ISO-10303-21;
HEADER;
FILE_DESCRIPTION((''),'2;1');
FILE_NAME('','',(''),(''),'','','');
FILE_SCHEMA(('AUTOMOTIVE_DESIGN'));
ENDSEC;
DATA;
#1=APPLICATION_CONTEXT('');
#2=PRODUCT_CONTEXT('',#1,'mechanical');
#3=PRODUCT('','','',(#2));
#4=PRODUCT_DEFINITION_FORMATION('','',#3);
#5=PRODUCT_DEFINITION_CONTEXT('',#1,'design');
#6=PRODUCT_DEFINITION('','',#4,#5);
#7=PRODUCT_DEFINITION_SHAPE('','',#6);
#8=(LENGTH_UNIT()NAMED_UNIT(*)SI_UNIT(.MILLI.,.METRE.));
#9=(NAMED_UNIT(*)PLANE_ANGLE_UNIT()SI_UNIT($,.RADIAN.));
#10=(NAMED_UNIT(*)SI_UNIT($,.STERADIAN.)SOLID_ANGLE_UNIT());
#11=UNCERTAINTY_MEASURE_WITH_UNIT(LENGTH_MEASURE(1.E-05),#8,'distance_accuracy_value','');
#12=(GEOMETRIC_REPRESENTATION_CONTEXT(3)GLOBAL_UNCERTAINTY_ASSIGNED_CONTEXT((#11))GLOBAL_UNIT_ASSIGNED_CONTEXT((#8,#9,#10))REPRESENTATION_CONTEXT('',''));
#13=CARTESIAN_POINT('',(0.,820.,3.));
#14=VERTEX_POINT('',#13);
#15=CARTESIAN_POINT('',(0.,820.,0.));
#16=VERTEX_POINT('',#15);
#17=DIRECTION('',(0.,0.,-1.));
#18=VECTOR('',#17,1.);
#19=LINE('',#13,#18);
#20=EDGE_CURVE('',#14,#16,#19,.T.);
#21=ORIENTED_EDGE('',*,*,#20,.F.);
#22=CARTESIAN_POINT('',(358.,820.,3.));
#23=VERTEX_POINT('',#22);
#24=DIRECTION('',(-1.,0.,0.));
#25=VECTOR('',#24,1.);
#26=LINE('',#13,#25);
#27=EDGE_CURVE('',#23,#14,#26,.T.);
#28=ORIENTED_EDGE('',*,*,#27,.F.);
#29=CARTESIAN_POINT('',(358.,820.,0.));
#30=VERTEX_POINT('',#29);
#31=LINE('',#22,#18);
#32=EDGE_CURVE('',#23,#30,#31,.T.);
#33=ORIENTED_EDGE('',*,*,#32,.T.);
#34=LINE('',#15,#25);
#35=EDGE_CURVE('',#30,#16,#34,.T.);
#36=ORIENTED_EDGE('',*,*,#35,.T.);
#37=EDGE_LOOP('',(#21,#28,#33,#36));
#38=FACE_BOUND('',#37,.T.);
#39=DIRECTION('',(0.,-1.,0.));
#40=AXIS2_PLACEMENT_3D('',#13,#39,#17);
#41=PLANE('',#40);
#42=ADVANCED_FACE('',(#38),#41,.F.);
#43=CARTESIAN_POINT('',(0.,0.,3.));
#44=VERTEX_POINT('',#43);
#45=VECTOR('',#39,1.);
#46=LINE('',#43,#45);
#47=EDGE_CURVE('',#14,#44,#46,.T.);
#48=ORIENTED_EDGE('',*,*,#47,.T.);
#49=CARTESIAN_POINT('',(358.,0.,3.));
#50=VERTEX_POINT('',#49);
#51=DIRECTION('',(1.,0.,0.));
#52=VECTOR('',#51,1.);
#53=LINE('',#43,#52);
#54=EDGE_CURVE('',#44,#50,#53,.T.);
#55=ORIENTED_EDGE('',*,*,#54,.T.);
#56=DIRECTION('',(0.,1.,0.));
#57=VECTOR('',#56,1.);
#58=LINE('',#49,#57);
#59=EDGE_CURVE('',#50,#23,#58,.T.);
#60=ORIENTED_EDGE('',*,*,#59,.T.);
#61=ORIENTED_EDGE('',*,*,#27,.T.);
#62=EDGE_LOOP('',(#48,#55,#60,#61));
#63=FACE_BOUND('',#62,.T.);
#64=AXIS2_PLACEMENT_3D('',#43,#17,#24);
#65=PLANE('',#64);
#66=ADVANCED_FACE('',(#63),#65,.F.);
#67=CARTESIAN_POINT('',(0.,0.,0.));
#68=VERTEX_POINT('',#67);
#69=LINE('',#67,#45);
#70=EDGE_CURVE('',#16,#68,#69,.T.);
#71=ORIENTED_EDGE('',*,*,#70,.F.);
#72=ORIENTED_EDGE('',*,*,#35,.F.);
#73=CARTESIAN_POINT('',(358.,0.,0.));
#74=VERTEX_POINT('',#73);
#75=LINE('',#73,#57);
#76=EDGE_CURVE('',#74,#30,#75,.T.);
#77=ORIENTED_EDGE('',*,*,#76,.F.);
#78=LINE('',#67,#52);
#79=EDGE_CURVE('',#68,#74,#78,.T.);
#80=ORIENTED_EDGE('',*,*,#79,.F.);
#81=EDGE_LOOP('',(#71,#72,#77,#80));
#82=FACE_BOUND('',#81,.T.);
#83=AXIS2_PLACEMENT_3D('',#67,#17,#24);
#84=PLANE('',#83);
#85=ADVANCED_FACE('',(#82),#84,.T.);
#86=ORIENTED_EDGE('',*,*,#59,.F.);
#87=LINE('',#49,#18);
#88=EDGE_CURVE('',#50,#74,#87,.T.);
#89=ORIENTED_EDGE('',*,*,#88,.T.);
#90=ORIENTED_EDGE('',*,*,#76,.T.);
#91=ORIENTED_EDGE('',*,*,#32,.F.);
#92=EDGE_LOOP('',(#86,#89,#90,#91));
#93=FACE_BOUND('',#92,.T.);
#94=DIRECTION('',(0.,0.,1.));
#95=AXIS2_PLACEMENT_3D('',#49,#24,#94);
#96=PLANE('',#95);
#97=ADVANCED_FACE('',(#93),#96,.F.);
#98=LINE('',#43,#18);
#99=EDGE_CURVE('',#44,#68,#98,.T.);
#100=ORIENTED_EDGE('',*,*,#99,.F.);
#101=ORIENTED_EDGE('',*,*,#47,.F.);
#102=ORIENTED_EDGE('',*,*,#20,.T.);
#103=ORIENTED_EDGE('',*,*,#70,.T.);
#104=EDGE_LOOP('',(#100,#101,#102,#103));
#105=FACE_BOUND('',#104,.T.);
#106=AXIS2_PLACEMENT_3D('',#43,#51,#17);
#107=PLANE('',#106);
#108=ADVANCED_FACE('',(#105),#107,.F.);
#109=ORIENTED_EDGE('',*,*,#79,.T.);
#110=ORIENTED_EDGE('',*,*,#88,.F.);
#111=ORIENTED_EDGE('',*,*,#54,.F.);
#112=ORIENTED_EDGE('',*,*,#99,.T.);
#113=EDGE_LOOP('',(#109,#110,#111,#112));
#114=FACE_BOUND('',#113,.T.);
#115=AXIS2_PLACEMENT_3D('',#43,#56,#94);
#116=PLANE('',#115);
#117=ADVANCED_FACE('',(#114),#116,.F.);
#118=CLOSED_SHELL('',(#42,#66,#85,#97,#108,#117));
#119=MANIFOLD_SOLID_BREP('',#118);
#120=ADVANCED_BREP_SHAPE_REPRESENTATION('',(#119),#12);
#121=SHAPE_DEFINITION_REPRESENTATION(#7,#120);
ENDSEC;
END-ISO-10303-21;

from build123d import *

# Parameters (mm, degrees)
SKETCH_1_W      = 358
SKETCH_1_H      = 820
EXTRUDE_1_DEPTH = 3


with BuildPart() as part:
    # 스케치1 → 보스-돌출1 (new body)
    with BuildSketch(Plane.XY):
        with Locations((179, 410)):
            Rectangle(SKETCH_1_W, SKETCH_1_H)
    extrude(amount=EXTRUDE_1_DEPTH)


solid = part.part
